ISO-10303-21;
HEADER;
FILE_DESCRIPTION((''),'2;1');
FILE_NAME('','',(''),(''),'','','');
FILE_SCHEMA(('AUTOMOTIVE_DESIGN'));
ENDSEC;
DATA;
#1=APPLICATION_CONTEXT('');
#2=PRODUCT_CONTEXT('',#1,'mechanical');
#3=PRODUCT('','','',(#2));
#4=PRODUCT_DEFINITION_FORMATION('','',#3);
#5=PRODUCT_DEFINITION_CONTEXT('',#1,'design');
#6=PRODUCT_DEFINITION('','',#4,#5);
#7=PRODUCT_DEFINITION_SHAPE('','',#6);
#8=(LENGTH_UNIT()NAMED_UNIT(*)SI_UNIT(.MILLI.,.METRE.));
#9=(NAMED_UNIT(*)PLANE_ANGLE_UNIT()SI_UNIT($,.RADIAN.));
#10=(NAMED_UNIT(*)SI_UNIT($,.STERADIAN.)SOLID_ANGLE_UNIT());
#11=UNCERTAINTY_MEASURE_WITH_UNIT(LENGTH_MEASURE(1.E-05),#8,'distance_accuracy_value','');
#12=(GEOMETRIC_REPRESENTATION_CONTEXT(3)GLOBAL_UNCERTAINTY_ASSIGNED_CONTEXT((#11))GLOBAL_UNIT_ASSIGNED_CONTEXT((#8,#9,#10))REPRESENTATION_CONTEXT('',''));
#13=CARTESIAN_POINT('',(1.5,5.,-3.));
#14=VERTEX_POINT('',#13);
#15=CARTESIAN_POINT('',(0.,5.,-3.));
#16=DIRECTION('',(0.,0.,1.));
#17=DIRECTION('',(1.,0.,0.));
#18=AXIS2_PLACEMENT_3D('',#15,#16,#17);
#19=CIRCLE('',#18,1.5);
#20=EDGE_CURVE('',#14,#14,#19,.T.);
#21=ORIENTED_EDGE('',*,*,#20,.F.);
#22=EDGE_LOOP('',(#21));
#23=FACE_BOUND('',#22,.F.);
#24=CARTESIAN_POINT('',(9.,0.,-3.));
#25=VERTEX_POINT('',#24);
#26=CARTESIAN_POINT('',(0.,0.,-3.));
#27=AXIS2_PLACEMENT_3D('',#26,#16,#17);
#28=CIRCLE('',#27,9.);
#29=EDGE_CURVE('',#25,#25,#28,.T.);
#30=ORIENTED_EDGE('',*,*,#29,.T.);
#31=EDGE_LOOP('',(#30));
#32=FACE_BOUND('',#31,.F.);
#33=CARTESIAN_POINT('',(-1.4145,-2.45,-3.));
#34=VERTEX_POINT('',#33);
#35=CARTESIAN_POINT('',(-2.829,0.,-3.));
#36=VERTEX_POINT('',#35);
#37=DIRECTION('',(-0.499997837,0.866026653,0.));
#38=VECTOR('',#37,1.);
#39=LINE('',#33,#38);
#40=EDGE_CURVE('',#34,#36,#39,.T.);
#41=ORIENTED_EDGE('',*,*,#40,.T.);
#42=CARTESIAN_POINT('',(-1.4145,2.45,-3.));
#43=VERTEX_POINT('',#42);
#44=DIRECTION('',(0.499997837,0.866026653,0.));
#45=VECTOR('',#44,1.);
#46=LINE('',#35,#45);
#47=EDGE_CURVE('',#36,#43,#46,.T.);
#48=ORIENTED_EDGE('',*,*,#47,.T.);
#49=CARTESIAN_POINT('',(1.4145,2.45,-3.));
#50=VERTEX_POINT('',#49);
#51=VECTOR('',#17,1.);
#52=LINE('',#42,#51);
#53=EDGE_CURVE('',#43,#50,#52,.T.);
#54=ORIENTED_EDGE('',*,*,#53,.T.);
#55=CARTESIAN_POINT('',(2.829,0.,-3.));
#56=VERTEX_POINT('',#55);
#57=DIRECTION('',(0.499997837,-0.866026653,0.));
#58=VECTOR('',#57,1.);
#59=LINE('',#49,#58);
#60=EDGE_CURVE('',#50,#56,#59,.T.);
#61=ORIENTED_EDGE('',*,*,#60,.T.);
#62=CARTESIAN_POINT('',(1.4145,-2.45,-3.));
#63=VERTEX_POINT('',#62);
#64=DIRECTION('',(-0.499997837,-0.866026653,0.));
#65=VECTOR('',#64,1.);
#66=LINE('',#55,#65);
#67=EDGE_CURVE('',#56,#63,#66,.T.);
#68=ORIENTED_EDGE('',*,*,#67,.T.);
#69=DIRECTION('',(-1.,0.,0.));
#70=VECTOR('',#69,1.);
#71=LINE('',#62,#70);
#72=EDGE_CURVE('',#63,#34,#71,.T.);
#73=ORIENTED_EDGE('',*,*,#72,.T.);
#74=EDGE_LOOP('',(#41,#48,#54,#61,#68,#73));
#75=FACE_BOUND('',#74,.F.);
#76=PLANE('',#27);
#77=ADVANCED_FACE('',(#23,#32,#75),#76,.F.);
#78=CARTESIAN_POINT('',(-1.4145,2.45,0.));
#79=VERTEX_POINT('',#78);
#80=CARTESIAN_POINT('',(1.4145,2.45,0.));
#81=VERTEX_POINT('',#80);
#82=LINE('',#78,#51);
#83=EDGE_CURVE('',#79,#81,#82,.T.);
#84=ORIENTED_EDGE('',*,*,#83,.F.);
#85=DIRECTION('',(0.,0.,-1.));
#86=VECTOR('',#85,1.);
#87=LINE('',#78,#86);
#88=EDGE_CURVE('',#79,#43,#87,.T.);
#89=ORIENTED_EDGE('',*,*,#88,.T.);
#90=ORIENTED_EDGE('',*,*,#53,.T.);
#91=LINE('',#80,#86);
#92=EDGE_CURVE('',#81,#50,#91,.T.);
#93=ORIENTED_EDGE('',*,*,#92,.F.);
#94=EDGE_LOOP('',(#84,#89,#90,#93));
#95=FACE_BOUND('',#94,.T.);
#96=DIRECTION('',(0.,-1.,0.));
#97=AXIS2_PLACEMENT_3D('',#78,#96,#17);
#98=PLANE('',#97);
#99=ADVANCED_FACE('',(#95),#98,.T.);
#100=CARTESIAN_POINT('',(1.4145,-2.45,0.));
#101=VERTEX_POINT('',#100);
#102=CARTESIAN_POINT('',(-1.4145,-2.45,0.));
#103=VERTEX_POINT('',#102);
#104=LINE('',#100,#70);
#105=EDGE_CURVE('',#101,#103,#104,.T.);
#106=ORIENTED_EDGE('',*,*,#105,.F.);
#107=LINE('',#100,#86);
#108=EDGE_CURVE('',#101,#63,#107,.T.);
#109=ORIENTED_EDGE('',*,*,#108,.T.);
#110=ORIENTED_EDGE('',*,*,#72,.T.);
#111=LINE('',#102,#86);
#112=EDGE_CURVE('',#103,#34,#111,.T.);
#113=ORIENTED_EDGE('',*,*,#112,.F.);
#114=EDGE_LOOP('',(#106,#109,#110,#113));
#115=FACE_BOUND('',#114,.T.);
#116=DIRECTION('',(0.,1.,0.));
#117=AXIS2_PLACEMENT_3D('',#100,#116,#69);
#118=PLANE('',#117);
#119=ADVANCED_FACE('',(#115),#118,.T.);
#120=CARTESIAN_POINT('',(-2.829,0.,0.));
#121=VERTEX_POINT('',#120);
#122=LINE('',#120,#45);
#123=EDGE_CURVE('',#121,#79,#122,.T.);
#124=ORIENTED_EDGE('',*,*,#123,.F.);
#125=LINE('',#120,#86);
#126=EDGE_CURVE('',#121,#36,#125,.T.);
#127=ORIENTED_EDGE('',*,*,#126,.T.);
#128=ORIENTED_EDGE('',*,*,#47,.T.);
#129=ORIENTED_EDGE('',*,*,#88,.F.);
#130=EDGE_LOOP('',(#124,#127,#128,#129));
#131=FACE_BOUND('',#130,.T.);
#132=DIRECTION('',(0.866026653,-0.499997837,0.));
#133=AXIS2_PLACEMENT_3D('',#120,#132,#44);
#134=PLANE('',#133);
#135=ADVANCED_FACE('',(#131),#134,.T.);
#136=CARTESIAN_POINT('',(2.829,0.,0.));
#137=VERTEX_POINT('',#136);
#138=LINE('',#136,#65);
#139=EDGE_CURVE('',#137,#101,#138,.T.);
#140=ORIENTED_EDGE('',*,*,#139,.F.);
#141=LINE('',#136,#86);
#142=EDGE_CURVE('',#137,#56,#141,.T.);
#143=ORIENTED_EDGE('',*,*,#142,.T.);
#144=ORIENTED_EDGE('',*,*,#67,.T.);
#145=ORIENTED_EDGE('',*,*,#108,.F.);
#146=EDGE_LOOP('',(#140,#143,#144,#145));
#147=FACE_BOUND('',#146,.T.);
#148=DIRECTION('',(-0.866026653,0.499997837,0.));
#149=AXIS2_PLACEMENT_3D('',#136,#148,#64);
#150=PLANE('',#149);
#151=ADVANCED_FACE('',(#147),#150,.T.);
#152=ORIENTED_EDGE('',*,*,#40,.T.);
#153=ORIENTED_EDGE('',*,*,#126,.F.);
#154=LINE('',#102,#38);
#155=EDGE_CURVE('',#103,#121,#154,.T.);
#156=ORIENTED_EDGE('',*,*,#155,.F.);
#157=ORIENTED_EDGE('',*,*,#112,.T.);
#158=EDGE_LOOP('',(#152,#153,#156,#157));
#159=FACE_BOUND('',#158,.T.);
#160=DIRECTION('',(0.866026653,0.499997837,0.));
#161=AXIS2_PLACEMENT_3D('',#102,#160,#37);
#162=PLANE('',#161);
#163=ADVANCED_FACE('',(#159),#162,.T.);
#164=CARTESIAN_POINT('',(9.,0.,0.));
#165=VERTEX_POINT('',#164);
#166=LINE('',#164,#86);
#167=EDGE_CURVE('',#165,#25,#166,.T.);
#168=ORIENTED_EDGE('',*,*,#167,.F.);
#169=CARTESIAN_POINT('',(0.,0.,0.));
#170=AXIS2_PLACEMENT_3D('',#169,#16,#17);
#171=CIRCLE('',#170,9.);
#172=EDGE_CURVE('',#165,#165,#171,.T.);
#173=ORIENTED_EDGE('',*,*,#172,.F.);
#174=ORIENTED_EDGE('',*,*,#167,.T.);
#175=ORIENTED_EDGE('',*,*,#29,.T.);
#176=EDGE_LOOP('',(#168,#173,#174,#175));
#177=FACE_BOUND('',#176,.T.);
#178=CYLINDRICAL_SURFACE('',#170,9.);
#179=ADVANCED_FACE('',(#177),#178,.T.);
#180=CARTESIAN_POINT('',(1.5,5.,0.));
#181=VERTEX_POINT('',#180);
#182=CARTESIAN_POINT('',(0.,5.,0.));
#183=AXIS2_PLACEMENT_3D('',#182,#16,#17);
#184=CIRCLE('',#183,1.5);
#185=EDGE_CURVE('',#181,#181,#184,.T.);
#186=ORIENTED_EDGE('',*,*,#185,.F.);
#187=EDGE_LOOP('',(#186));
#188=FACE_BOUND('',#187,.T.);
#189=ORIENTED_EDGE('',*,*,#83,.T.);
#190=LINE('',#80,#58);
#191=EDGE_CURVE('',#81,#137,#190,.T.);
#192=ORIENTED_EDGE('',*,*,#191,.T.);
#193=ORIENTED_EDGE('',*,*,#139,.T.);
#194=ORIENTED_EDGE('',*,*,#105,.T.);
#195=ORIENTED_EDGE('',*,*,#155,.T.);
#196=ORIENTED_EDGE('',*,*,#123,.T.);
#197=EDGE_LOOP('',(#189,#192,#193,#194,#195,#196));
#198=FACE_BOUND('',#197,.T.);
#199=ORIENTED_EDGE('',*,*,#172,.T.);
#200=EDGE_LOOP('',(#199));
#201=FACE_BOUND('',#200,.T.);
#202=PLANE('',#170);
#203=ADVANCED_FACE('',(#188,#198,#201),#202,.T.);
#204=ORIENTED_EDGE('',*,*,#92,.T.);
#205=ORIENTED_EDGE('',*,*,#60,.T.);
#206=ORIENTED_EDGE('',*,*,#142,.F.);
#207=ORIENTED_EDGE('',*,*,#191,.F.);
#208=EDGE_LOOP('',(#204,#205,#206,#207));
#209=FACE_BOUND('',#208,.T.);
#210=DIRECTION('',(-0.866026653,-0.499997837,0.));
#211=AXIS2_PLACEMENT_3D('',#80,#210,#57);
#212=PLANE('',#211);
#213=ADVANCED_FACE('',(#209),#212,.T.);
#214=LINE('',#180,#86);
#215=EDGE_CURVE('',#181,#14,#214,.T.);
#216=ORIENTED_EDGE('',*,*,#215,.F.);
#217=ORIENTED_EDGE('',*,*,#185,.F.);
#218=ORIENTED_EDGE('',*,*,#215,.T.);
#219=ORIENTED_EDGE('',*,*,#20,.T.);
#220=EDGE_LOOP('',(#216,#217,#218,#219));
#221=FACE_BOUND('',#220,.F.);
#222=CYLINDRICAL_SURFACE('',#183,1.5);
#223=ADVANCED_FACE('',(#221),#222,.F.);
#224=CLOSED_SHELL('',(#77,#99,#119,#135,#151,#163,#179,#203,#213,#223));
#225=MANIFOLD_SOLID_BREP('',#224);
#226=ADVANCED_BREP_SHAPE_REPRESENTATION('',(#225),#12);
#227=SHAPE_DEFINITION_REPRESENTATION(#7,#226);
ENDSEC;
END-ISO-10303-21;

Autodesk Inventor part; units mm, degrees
ref_plane "YZ Plane" through (0, 0, 0) normal (1, 0, 0) x (0, 1, 0)
ref_plane "XZ Plane" through (0, 0, 0) normal (0, 1, 0) x (-1, 0, 0)
ref_plane "XY Plane" through (0, 0, 0) normal (0, 0, 1) x (1, 0, 0)
sketch "Sketch1" plane through (0, 0, 0) normal (0, 0, 1) x (1, 0, 0)
  circle A0 centre (0, 0) radius 9
  circle A1 centre (0, 5) radius 1.5
  line L0 (1.4145, 2.45) -> (2.829, 0)
  line L1 (2.829, 0) -> (1.4145, -2.45)
  line L2 (1.4145, -2.45) -> (-1.4145, -2.45)
  line L3 (-1.4145, -2.45) -> (-2.829, 0)
  line L4 (-2.829, 0) -> (-1.4145, 2.45)
  line L5 (-1.4145, 2.45) -> (1.4145, 2.45)
  dimension "d0" = 18
  dimension "d1" = 4.9
  dimension "d2" = 5
  dimension "d3" = 3
extrude "Extrusion1" add sketch "Sketch1" against normal blind 3
properties part number "OutputDisk2"
